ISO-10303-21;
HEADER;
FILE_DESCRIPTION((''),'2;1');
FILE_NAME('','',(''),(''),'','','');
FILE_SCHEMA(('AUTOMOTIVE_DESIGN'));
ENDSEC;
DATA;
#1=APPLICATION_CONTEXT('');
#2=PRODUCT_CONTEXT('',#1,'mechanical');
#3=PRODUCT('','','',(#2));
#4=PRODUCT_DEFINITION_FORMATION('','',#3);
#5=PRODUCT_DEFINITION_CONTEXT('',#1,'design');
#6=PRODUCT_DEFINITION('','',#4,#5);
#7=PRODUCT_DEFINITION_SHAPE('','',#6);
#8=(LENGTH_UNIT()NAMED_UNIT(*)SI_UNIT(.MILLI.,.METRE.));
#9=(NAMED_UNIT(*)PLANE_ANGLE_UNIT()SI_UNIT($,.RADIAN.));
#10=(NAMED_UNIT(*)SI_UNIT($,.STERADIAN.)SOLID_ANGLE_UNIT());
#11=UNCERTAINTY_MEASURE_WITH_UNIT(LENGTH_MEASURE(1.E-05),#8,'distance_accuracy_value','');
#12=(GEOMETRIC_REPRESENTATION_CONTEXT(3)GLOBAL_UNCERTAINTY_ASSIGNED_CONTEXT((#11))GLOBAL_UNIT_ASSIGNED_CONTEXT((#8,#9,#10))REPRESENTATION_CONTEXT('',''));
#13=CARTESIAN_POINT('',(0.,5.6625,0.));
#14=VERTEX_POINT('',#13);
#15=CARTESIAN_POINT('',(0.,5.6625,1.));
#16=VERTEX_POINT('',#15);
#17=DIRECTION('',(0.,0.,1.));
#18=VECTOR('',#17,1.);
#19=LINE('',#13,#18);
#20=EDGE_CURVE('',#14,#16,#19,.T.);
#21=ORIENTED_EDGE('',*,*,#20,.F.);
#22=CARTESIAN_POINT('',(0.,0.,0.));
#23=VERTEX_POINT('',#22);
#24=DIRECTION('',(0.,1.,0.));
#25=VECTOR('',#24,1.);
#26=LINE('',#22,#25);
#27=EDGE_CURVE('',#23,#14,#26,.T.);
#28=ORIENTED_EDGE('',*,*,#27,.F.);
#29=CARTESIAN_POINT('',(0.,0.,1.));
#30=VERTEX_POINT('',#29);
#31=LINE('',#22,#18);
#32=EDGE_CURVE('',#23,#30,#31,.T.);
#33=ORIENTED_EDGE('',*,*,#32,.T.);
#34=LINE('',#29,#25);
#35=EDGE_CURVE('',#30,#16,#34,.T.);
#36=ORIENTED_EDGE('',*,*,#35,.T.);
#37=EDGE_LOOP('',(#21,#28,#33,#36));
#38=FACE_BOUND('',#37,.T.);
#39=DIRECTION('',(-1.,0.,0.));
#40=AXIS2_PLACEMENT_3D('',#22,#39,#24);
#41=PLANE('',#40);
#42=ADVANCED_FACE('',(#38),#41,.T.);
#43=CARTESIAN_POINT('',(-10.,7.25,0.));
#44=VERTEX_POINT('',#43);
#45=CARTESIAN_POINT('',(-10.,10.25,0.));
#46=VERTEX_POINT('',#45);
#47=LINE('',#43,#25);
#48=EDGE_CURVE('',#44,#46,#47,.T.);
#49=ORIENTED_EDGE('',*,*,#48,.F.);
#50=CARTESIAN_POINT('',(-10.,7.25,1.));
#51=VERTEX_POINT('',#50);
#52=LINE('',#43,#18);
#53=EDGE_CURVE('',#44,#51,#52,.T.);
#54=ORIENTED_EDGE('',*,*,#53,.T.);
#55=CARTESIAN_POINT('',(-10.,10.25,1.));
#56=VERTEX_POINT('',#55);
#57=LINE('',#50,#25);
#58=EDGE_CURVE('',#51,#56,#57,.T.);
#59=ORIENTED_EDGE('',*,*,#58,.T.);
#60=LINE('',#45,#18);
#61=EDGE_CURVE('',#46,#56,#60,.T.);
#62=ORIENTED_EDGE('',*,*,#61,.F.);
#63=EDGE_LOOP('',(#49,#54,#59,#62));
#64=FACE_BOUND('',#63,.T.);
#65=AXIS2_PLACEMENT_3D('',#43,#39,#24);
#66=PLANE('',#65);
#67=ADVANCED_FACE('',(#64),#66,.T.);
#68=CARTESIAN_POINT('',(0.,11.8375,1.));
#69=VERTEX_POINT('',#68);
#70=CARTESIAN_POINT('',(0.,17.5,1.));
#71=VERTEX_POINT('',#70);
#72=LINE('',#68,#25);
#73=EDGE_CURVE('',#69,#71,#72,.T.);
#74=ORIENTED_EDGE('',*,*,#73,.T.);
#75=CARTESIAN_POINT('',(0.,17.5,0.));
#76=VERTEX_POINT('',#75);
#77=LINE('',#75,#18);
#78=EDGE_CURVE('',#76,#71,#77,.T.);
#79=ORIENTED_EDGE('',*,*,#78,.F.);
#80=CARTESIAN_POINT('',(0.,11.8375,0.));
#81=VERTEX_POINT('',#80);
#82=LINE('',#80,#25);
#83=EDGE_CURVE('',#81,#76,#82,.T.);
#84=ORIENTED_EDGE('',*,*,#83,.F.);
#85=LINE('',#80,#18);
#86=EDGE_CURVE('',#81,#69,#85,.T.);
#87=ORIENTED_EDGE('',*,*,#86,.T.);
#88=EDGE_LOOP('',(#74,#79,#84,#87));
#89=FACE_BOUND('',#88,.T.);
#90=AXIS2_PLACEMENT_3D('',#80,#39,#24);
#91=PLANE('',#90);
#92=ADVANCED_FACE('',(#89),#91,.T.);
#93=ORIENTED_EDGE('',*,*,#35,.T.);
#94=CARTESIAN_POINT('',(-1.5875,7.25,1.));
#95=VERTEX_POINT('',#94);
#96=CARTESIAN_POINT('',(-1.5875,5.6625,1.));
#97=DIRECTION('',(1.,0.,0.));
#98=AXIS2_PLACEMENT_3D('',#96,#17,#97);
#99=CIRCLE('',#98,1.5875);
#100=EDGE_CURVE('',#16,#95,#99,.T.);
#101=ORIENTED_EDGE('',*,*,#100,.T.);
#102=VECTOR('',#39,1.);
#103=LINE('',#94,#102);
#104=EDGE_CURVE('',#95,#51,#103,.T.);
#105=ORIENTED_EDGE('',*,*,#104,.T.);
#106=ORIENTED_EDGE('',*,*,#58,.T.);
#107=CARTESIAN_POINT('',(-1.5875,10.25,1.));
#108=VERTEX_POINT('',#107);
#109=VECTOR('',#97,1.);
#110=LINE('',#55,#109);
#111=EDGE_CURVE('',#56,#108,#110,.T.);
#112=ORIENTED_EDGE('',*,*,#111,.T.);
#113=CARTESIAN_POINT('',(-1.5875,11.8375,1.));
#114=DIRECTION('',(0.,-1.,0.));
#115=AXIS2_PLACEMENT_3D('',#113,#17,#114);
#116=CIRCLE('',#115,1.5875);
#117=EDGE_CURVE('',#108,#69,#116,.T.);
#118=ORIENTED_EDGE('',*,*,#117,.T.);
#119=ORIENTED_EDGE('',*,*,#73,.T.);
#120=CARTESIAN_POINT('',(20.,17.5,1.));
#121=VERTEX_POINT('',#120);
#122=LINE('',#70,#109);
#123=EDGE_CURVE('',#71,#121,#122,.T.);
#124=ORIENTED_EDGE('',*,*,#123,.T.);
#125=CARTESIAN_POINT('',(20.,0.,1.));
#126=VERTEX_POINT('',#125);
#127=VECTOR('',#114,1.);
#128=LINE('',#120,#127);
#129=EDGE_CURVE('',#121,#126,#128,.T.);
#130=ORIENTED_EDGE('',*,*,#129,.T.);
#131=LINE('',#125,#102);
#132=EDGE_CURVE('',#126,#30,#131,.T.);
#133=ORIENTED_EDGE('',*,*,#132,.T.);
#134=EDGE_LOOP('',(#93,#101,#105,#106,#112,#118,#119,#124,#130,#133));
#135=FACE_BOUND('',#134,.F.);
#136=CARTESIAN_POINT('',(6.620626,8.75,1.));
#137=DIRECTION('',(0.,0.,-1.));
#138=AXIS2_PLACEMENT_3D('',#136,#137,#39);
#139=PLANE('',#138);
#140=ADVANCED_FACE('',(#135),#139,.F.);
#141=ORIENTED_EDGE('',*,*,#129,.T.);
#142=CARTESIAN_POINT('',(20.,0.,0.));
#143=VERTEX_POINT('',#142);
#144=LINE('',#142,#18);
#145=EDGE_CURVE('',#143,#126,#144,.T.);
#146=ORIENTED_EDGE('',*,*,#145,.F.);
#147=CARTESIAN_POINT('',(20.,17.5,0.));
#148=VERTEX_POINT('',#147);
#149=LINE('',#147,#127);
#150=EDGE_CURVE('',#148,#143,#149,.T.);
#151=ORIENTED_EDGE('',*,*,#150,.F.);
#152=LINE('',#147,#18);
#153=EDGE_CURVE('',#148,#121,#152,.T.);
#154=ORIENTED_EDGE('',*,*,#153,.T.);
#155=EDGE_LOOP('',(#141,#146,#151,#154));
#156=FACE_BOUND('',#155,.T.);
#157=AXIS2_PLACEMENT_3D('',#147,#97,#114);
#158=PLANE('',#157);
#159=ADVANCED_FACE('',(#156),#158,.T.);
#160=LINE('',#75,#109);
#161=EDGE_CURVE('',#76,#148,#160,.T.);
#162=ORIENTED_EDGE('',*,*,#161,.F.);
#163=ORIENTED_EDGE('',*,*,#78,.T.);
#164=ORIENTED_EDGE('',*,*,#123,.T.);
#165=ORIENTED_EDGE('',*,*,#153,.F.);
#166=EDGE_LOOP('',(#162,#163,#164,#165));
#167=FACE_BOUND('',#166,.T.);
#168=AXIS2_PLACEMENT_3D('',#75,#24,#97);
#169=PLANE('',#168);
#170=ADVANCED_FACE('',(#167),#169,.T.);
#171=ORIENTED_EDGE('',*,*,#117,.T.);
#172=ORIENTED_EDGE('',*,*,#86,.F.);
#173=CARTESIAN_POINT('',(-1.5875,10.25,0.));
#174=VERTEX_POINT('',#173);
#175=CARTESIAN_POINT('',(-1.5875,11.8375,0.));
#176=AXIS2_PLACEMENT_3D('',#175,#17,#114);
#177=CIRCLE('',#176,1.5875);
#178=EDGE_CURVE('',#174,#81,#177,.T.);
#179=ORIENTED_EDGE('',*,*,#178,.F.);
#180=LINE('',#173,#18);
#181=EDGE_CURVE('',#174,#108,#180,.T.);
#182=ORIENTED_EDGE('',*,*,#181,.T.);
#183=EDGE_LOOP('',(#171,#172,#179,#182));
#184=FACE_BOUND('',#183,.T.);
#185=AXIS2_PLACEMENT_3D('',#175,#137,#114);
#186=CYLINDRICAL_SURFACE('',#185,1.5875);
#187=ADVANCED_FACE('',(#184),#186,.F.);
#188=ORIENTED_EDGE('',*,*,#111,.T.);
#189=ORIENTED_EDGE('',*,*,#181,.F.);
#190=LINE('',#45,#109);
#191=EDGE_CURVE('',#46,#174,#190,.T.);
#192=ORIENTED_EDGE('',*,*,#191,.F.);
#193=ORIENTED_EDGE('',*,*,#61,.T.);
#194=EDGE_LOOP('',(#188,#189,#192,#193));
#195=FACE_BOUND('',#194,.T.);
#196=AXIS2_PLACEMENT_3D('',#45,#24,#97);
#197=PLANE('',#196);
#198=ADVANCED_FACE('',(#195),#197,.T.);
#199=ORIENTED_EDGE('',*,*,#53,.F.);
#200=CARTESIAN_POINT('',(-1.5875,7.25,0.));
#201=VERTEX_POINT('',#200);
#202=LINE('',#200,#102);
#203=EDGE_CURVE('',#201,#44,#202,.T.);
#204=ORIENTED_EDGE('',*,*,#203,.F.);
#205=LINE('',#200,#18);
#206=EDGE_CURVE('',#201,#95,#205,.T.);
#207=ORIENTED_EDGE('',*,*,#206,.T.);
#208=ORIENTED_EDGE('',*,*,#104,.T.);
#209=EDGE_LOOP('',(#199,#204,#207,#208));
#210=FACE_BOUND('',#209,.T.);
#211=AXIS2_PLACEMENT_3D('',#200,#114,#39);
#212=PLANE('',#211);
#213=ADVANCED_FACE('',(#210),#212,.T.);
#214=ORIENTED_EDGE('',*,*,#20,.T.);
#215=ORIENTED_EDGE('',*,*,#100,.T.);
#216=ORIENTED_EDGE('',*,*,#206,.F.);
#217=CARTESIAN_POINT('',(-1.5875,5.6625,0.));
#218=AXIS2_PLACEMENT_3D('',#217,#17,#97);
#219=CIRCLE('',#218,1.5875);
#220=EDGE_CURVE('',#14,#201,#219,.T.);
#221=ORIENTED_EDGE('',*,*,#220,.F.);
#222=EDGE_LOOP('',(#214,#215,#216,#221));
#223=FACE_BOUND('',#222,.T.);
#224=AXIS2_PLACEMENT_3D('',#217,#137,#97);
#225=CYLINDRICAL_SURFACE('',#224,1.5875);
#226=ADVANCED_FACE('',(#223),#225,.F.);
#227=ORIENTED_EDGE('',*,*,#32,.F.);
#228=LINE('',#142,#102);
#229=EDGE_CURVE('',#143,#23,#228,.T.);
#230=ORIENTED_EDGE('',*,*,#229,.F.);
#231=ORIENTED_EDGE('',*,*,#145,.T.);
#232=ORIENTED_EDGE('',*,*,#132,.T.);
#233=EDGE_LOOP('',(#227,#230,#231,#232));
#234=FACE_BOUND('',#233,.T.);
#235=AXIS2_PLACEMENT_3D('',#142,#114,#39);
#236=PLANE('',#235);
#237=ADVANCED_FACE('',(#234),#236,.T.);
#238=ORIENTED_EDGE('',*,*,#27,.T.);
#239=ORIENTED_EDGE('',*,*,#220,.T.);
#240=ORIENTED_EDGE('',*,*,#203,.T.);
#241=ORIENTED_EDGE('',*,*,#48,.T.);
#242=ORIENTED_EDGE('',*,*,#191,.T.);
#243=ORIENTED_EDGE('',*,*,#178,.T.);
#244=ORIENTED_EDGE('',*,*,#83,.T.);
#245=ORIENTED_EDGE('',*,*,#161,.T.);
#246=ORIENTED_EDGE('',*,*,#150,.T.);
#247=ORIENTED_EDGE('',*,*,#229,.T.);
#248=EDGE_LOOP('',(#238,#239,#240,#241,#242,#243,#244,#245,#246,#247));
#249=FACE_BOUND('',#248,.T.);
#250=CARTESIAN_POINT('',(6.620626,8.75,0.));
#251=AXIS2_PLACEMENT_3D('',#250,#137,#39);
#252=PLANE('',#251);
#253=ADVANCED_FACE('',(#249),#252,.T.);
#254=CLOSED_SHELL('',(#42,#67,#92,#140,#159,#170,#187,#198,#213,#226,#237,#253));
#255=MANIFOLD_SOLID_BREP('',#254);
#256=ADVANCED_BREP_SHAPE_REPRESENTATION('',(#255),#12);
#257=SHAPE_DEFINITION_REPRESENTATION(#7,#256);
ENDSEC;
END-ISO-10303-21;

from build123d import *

# Parameters (mm, degrees)
BOSS_EXTRUDE1_DEPTH = 1


with BuildPart() as part:
    # Sketch1 → Boss-Extrude1 (new body)
    with BuildSketch(Plane.XY):
        with BuildLine():
            Line((0, 11.8375), (0, 17.5))
            Line((0, 17.5), (20, 17.5))
            Line((20, 17.5), (20, 0))
            Line((20, 0), (0, 0))
            Line((0, 0), (0, 5.6625))
            ThreePointArc((0, 5.6625), (-0.464967985, 6.785032015), (-1.5875, 7.25))
            Line((-1.5875, 7.25), (-10, 7.25))
            Line((-10, 7.25), (-10, 10.25))
            Line((-10, 10.25), (-1.5875, 10.25))
            ThreePointArc((-1.5875, 10.25), (-0.464967985, 10.714967985), (0, 11.8375))
        make_face()
    extrude(amount=BOSS_EXTRUDE1_DEPTH)


solid = part.part
